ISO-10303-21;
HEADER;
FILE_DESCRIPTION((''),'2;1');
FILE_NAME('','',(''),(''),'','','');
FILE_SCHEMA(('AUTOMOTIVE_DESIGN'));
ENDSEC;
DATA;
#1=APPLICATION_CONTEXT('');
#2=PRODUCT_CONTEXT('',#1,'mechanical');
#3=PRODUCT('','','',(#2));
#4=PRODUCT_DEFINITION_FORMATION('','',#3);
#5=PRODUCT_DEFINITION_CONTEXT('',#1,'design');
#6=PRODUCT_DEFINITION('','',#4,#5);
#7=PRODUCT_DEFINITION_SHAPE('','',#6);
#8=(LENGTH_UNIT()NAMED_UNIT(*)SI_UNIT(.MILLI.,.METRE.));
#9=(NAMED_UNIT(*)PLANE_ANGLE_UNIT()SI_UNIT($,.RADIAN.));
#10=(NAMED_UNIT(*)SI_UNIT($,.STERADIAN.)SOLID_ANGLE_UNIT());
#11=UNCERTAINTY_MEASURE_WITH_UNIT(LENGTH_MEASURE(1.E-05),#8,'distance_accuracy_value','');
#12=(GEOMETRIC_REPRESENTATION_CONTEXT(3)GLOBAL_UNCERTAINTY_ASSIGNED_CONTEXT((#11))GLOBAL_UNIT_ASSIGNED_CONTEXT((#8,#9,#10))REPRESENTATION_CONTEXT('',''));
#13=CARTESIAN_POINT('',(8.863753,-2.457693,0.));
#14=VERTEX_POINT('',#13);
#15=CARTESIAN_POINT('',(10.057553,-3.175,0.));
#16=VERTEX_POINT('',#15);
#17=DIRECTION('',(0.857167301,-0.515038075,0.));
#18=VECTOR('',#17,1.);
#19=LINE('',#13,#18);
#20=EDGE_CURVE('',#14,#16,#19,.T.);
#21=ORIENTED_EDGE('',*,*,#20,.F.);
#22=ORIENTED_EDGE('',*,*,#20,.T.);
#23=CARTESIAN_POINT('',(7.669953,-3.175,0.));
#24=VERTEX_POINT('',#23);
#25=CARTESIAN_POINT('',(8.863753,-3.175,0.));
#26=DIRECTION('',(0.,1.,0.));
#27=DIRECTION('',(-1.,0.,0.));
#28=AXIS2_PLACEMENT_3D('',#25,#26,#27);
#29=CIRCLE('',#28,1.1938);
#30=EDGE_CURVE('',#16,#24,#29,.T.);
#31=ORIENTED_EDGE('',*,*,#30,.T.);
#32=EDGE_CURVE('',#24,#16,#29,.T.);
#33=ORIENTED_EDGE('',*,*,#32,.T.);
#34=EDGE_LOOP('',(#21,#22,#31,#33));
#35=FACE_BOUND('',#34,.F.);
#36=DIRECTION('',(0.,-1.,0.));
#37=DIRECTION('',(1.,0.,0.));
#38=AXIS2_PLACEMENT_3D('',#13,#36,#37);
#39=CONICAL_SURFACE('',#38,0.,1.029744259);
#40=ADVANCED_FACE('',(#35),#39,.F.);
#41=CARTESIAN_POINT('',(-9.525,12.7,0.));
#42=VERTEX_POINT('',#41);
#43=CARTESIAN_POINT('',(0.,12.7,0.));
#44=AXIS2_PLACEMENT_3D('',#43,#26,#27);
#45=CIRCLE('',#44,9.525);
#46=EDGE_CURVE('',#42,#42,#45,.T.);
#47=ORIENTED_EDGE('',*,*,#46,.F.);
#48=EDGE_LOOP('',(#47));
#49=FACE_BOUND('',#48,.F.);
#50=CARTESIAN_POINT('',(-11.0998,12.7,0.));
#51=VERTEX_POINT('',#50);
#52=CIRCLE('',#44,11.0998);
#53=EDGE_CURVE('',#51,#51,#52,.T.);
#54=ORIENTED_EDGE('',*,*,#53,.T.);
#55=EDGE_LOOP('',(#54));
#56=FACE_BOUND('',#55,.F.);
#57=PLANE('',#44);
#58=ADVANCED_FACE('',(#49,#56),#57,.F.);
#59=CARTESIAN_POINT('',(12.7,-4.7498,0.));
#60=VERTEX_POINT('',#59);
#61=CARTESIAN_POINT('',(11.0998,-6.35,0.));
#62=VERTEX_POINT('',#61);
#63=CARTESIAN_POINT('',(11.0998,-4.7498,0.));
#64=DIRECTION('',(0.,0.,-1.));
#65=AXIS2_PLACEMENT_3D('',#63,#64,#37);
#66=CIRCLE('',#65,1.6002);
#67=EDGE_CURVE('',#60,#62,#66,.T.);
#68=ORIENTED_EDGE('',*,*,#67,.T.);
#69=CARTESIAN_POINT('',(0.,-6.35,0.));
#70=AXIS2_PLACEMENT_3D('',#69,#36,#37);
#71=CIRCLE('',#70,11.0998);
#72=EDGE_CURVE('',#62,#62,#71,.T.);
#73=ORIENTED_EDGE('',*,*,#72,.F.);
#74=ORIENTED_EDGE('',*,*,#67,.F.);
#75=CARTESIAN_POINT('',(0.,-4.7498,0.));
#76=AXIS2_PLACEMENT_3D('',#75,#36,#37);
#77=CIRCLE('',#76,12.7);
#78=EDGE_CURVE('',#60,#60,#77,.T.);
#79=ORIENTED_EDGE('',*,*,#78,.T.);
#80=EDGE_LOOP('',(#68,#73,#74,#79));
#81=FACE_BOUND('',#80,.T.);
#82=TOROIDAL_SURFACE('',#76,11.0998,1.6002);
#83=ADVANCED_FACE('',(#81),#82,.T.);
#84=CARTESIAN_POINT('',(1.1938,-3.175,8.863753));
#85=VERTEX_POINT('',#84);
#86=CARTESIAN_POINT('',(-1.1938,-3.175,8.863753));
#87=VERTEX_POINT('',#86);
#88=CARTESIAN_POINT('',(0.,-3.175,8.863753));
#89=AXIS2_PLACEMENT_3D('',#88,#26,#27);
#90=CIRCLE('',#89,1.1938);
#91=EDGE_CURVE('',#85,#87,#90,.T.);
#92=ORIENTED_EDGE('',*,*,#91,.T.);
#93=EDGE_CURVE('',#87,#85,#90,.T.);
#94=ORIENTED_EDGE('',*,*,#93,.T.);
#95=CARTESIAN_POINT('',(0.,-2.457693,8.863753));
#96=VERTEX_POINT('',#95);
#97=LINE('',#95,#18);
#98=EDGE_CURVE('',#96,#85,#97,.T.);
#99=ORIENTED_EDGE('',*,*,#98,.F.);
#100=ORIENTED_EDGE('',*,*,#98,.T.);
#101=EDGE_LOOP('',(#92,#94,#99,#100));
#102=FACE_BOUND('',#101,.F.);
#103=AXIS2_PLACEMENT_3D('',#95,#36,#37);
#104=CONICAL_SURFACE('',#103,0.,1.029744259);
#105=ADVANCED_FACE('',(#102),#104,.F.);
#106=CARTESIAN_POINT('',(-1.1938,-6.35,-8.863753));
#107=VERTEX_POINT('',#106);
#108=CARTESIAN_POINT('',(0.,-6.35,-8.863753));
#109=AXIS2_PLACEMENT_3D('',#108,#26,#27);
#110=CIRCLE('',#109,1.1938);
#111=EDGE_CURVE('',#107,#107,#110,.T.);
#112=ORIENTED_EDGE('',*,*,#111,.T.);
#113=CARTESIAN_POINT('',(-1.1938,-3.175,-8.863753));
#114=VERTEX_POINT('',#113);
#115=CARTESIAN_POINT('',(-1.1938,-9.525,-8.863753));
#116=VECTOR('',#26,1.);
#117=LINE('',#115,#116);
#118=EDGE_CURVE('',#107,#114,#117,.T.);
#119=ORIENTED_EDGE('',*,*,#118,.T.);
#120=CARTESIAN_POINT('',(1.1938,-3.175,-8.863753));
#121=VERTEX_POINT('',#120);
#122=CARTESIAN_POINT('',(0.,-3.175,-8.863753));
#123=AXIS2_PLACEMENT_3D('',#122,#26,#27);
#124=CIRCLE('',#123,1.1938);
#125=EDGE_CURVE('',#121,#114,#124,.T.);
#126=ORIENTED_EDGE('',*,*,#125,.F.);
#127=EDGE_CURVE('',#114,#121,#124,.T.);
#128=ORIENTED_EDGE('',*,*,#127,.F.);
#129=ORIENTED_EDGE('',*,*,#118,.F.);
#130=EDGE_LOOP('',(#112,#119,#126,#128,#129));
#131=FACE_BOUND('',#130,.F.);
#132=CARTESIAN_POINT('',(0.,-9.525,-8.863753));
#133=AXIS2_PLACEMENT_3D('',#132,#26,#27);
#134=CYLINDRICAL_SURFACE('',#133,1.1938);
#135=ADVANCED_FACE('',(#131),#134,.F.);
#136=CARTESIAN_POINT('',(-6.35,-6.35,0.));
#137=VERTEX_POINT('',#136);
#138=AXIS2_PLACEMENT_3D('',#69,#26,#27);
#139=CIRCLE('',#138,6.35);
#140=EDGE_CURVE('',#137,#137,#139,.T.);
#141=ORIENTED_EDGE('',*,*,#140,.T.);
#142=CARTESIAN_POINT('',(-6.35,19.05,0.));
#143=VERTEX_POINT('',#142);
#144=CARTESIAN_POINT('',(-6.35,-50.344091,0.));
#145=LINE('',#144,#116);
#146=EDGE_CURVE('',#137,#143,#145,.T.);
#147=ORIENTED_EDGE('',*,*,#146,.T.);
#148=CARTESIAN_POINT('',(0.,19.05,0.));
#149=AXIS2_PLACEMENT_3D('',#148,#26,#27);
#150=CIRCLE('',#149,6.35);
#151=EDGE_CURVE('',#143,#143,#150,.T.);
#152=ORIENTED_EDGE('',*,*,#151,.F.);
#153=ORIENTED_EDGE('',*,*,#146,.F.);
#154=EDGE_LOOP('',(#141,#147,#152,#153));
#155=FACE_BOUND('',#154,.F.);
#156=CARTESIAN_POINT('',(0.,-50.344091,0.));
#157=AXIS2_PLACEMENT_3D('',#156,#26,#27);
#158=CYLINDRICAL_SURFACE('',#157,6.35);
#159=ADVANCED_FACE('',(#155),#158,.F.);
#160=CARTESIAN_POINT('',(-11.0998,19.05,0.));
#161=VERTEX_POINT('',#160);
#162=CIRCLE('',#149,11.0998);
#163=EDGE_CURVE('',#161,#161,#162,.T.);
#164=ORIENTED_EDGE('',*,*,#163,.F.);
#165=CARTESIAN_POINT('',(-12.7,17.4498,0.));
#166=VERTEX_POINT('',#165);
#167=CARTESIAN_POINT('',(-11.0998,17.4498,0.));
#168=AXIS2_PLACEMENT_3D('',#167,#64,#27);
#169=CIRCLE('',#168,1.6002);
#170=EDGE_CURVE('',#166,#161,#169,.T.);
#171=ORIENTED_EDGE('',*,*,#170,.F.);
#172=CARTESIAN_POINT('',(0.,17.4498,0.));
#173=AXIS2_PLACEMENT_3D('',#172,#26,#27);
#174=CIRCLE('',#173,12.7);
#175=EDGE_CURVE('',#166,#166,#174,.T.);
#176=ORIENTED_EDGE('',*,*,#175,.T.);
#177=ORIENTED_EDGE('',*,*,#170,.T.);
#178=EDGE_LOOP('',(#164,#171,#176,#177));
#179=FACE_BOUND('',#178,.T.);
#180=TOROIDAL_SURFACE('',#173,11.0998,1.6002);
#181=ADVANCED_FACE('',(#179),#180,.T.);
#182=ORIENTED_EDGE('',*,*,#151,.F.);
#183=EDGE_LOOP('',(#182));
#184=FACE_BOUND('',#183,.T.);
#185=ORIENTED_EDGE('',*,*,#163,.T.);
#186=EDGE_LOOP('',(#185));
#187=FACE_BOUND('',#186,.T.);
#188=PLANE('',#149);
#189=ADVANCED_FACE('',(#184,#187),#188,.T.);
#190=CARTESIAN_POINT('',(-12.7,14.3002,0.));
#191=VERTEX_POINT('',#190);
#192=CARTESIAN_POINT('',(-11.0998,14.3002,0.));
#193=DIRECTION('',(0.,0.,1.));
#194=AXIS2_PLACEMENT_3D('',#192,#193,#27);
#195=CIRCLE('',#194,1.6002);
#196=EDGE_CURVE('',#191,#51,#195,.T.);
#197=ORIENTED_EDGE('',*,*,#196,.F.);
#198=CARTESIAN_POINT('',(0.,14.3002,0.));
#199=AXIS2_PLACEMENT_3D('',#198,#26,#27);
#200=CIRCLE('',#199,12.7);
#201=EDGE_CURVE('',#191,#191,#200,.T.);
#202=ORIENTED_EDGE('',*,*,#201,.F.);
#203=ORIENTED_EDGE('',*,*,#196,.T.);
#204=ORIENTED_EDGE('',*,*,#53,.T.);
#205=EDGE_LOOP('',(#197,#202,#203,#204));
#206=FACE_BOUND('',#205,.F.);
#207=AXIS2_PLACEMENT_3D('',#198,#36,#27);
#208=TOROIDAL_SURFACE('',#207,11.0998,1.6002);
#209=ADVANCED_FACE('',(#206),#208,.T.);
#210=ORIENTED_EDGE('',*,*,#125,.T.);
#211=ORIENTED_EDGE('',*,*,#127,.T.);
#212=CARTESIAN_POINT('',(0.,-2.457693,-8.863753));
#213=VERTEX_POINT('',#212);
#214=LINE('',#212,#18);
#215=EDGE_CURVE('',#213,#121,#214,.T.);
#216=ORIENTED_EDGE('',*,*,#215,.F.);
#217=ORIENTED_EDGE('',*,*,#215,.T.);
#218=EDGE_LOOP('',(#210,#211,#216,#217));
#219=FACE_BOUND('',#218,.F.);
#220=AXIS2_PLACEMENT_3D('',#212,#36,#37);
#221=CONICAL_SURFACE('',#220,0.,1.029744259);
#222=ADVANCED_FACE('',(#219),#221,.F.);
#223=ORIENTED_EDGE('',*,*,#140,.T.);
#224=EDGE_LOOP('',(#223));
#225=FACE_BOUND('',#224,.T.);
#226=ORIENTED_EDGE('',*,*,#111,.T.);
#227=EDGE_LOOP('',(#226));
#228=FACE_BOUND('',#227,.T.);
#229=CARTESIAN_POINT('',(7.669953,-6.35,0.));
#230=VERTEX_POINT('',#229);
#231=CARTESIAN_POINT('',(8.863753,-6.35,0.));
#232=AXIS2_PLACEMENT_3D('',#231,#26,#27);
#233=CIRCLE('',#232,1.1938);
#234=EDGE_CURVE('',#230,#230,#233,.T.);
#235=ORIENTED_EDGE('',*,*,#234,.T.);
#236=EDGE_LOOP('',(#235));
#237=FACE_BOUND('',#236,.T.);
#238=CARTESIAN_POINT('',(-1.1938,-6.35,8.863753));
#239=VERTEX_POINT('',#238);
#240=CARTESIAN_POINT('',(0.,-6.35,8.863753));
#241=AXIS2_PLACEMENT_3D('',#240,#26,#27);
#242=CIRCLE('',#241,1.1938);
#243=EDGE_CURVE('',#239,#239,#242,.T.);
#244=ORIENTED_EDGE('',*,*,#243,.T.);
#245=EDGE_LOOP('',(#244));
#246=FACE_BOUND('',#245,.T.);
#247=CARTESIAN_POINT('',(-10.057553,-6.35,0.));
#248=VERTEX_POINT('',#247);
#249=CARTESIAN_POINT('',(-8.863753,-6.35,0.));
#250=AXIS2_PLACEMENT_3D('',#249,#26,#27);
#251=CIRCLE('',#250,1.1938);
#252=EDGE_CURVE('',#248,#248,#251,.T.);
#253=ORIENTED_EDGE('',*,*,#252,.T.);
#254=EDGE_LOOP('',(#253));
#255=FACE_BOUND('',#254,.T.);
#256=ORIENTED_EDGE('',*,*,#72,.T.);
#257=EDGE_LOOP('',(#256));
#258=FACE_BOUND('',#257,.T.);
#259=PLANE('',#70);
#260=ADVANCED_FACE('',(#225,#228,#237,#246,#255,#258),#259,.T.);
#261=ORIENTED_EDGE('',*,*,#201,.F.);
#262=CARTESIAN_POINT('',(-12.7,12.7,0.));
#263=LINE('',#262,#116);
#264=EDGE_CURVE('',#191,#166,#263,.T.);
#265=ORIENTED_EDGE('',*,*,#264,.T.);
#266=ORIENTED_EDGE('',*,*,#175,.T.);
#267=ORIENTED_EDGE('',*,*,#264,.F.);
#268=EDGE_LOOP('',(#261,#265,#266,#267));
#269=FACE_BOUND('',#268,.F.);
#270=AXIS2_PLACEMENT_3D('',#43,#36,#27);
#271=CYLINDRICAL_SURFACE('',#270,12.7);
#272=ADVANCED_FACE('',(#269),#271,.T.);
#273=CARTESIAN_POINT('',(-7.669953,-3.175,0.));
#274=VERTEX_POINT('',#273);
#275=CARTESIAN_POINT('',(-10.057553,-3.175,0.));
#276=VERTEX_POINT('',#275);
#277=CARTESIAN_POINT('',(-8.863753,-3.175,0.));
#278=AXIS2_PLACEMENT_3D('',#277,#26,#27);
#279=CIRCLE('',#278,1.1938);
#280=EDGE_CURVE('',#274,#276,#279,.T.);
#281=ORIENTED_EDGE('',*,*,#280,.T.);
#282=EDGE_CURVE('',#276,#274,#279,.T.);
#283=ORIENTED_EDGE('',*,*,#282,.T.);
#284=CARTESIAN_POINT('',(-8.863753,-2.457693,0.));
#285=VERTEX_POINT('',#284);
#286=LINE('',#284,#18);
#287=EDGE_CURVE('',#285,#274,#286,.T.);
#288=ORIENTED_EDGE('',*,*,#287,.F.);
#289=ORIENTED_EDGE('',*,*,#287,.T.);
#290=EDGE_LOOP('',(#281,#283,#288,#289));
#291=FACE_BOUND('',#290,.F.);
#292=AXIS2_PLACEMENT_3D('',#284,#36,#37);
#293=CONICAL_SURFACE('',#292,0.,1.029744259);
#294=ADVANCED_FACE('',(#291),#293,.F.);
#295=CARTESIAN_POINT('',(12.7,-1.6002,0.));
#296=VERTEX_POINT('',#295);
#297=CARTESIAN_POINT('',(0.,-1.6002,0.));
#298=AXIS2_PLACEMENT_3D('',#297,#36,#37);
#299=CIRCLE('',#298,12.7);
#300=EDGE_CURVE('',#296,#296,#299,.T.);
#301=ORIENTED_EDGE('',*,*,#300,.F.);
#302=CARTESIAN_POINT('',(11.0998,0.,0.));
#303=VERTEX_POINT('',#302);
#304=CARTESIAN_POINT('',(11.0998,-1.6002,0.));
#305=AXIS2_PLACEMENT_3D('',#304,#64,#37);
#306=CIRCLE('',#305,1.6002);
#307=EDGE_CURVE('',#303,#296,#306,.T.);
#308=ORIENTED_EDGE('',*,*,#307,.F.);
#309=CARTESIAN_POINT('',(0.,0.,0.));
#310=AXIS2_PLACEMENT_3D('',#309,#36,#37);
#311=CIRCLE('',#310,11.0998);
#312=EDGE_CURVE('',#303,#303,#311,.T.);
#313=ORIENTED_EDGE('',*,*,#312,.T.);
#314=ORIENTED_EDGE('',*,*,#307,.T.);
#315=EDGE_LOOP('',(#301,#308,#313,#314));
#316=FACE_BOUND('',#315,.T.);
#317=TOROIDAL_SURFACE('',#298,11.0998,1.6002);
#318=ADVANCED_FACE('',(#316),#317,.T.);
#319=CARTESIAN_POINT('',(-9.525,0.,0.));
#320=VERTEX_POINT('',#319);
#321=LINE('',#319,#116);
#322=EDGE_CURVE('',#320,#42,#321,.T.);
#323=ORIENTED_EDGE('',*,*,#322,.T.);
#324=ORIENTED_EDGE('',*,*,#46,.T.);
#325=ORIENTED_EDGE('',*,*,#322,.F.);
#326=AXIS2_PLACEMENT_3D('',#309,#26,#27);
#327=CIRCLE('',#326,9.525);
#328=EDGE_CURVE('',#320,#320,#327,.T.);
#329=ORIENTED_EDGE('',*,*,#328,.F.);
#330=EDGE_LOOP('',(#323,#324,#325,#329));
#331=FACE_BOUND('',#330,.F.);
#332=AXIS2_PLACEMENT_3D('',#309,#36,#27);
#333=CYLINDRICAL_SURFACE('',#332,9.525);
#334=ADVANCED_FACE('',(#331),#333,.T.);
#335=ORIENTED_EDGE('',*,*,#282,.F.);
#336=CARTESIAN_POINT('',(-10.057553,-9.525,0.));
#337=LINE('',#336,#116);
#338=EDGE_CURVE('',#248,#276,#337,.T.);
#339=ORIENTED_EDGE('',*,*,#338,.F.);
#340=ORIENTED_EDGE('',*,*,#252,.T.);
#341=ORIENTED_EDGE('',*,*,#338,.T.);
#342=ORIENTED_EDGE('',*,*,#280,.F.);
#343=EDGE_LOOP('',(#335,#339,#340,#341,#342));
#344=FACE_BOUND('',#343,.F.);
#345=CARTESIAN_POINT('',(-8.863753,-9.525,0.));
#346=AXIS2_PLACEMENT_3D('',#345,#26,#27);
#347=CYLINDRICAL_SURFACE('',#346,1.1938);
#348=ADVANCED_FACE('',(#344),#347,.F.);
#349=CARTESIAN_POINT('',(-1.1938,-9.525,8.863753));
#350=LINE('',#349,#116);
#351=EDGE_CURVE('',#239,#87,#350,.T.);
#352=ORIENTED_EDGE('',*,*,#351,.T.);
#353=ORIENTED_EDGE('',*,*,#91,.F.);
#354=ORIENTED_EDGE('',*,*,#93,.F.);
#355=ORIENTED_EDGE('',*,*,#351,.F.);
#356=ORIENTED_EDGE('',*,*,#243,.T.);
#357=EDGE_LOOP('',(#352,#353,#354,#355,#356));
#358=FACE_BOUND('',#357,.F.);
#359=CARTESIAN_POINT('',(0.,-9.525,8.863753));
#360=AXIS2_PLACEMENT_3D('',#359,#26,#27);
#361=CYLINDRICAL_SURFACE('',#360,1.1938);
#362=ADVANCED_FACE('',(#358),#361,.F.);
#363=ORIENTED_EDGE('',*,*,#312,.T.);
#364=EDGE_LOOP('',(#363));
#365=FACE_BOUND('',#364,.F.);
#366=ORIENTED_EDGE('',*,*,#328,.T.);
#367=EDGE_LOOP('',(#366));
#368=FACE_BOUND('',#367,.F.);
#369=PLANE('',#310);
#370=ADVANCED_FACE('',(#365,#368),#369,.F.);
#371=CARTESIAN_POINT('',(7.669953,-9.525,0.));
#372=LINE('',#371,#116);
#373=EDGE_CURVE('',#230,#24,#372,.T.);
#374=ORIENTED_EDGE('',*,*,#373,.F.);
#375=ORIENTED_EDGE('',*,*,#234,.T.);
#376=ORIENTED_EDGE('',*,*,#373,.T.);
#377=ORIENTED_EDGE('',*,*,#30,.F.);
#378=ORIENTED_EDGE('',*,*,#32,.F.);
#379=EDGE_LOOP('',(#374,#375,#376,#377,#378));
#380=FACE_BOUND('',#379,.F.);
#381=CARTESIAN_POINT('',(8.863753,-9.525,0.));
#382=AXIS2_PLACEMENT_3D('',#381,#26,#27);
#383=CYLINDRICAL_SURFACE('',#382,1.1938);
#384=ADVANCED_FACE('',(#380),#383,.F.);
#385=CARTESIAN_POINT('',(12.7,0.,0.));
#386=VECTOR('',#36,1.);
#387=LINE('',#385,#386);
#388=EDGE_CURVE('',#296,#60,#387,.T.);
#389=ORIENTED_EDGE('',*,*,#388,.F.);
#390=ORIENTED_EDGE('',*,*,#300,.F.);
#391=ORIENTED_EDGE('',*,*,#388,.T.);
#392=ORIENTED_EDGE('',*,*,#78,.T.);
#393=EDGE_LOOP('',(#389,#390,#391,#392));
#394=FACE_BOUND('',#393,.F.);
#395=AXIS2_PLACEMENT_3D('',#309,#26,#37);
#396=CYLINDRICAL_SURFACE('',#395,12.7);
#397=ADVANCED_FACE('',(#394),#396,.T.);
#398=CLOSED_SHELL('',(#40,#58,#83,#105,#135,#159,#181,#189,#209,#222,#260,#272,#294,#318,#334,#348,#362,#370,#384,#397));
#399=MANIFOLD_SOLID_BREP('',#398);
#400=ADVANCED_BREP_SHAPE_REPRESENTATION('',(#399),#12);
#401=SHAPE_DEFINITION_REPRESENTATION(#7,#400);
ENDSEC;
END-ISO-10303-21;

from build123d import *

# Parameters (mm, degrees)
F0_R      = 12.7
F1_DEPTH  = 6.35
F2_R      = 9.525
F3_DEPTH  = 12.7
F4_R      = 12.7
F5_DEPTH  = 6.35
F6_R      = 1.6002
F8_D      = 12.7
F10_D     = 2.3876
F10_DEPTH = 3.175
F10_TIP   = 0.717307407


with BuildPart() as f1:
    # F0 (on Front) → F1 (new body)
    with BuildSketch(Plane.XZ):
        Circle(F0_R)
    extrude(amount=F1_DEPTH)

    # F2 (on face) → F3 (join)
    with BuildSketch(Plane(origin=(0, 0, 0), x_dir=(-1, 0, 0), z_dir=(0, 1, 0))):
        Circle(F2_R)
    extrude(amount=F3_DEPTH)

    # F4 (on face) → F5 (join)
    with BuildSketch(Plane(origin=(0, 12.7, 0), x_dir=(-1, 0, 0), z_dir=(0, 1, 0))):
        Circle(F4_R)
    extrude(amount=F5_DEPTH)

    # F6
    f6_edges = [f1.edges().sort_by_distance(p)[0] for p in [
        (-12.7, -6.35, 0),
        (12.7, 19.05, 0),
        (-12.7, 0, 0),
        (12.7, 12.7, 0),
    ]]
    fillet(f6_edges, radius=F6_R)

    # F8 (through all)
    with Locations(Plane.XZ.offset(6.35)):
        with Locations((0, 0)):
            Hole(F8_D / 2)

    # F10
    with Locations(Plane.XZ.offset(6.35)):
        with Locations((-8.8637527078, 0), (0, -8.8637527078), (8.8637527078, 0), (0, 8.8637527078)):
            Hole(F10_D / 2, depth=F10_DEPTH)
            with Locations((0, 0, -(F10_DEPTH + F10_TIP / 2))):  # 118° drill point
                Cone(0, F10_D / 2, F10_TIP, mode=Mode.SUBTRACT)


solid = f1.part
